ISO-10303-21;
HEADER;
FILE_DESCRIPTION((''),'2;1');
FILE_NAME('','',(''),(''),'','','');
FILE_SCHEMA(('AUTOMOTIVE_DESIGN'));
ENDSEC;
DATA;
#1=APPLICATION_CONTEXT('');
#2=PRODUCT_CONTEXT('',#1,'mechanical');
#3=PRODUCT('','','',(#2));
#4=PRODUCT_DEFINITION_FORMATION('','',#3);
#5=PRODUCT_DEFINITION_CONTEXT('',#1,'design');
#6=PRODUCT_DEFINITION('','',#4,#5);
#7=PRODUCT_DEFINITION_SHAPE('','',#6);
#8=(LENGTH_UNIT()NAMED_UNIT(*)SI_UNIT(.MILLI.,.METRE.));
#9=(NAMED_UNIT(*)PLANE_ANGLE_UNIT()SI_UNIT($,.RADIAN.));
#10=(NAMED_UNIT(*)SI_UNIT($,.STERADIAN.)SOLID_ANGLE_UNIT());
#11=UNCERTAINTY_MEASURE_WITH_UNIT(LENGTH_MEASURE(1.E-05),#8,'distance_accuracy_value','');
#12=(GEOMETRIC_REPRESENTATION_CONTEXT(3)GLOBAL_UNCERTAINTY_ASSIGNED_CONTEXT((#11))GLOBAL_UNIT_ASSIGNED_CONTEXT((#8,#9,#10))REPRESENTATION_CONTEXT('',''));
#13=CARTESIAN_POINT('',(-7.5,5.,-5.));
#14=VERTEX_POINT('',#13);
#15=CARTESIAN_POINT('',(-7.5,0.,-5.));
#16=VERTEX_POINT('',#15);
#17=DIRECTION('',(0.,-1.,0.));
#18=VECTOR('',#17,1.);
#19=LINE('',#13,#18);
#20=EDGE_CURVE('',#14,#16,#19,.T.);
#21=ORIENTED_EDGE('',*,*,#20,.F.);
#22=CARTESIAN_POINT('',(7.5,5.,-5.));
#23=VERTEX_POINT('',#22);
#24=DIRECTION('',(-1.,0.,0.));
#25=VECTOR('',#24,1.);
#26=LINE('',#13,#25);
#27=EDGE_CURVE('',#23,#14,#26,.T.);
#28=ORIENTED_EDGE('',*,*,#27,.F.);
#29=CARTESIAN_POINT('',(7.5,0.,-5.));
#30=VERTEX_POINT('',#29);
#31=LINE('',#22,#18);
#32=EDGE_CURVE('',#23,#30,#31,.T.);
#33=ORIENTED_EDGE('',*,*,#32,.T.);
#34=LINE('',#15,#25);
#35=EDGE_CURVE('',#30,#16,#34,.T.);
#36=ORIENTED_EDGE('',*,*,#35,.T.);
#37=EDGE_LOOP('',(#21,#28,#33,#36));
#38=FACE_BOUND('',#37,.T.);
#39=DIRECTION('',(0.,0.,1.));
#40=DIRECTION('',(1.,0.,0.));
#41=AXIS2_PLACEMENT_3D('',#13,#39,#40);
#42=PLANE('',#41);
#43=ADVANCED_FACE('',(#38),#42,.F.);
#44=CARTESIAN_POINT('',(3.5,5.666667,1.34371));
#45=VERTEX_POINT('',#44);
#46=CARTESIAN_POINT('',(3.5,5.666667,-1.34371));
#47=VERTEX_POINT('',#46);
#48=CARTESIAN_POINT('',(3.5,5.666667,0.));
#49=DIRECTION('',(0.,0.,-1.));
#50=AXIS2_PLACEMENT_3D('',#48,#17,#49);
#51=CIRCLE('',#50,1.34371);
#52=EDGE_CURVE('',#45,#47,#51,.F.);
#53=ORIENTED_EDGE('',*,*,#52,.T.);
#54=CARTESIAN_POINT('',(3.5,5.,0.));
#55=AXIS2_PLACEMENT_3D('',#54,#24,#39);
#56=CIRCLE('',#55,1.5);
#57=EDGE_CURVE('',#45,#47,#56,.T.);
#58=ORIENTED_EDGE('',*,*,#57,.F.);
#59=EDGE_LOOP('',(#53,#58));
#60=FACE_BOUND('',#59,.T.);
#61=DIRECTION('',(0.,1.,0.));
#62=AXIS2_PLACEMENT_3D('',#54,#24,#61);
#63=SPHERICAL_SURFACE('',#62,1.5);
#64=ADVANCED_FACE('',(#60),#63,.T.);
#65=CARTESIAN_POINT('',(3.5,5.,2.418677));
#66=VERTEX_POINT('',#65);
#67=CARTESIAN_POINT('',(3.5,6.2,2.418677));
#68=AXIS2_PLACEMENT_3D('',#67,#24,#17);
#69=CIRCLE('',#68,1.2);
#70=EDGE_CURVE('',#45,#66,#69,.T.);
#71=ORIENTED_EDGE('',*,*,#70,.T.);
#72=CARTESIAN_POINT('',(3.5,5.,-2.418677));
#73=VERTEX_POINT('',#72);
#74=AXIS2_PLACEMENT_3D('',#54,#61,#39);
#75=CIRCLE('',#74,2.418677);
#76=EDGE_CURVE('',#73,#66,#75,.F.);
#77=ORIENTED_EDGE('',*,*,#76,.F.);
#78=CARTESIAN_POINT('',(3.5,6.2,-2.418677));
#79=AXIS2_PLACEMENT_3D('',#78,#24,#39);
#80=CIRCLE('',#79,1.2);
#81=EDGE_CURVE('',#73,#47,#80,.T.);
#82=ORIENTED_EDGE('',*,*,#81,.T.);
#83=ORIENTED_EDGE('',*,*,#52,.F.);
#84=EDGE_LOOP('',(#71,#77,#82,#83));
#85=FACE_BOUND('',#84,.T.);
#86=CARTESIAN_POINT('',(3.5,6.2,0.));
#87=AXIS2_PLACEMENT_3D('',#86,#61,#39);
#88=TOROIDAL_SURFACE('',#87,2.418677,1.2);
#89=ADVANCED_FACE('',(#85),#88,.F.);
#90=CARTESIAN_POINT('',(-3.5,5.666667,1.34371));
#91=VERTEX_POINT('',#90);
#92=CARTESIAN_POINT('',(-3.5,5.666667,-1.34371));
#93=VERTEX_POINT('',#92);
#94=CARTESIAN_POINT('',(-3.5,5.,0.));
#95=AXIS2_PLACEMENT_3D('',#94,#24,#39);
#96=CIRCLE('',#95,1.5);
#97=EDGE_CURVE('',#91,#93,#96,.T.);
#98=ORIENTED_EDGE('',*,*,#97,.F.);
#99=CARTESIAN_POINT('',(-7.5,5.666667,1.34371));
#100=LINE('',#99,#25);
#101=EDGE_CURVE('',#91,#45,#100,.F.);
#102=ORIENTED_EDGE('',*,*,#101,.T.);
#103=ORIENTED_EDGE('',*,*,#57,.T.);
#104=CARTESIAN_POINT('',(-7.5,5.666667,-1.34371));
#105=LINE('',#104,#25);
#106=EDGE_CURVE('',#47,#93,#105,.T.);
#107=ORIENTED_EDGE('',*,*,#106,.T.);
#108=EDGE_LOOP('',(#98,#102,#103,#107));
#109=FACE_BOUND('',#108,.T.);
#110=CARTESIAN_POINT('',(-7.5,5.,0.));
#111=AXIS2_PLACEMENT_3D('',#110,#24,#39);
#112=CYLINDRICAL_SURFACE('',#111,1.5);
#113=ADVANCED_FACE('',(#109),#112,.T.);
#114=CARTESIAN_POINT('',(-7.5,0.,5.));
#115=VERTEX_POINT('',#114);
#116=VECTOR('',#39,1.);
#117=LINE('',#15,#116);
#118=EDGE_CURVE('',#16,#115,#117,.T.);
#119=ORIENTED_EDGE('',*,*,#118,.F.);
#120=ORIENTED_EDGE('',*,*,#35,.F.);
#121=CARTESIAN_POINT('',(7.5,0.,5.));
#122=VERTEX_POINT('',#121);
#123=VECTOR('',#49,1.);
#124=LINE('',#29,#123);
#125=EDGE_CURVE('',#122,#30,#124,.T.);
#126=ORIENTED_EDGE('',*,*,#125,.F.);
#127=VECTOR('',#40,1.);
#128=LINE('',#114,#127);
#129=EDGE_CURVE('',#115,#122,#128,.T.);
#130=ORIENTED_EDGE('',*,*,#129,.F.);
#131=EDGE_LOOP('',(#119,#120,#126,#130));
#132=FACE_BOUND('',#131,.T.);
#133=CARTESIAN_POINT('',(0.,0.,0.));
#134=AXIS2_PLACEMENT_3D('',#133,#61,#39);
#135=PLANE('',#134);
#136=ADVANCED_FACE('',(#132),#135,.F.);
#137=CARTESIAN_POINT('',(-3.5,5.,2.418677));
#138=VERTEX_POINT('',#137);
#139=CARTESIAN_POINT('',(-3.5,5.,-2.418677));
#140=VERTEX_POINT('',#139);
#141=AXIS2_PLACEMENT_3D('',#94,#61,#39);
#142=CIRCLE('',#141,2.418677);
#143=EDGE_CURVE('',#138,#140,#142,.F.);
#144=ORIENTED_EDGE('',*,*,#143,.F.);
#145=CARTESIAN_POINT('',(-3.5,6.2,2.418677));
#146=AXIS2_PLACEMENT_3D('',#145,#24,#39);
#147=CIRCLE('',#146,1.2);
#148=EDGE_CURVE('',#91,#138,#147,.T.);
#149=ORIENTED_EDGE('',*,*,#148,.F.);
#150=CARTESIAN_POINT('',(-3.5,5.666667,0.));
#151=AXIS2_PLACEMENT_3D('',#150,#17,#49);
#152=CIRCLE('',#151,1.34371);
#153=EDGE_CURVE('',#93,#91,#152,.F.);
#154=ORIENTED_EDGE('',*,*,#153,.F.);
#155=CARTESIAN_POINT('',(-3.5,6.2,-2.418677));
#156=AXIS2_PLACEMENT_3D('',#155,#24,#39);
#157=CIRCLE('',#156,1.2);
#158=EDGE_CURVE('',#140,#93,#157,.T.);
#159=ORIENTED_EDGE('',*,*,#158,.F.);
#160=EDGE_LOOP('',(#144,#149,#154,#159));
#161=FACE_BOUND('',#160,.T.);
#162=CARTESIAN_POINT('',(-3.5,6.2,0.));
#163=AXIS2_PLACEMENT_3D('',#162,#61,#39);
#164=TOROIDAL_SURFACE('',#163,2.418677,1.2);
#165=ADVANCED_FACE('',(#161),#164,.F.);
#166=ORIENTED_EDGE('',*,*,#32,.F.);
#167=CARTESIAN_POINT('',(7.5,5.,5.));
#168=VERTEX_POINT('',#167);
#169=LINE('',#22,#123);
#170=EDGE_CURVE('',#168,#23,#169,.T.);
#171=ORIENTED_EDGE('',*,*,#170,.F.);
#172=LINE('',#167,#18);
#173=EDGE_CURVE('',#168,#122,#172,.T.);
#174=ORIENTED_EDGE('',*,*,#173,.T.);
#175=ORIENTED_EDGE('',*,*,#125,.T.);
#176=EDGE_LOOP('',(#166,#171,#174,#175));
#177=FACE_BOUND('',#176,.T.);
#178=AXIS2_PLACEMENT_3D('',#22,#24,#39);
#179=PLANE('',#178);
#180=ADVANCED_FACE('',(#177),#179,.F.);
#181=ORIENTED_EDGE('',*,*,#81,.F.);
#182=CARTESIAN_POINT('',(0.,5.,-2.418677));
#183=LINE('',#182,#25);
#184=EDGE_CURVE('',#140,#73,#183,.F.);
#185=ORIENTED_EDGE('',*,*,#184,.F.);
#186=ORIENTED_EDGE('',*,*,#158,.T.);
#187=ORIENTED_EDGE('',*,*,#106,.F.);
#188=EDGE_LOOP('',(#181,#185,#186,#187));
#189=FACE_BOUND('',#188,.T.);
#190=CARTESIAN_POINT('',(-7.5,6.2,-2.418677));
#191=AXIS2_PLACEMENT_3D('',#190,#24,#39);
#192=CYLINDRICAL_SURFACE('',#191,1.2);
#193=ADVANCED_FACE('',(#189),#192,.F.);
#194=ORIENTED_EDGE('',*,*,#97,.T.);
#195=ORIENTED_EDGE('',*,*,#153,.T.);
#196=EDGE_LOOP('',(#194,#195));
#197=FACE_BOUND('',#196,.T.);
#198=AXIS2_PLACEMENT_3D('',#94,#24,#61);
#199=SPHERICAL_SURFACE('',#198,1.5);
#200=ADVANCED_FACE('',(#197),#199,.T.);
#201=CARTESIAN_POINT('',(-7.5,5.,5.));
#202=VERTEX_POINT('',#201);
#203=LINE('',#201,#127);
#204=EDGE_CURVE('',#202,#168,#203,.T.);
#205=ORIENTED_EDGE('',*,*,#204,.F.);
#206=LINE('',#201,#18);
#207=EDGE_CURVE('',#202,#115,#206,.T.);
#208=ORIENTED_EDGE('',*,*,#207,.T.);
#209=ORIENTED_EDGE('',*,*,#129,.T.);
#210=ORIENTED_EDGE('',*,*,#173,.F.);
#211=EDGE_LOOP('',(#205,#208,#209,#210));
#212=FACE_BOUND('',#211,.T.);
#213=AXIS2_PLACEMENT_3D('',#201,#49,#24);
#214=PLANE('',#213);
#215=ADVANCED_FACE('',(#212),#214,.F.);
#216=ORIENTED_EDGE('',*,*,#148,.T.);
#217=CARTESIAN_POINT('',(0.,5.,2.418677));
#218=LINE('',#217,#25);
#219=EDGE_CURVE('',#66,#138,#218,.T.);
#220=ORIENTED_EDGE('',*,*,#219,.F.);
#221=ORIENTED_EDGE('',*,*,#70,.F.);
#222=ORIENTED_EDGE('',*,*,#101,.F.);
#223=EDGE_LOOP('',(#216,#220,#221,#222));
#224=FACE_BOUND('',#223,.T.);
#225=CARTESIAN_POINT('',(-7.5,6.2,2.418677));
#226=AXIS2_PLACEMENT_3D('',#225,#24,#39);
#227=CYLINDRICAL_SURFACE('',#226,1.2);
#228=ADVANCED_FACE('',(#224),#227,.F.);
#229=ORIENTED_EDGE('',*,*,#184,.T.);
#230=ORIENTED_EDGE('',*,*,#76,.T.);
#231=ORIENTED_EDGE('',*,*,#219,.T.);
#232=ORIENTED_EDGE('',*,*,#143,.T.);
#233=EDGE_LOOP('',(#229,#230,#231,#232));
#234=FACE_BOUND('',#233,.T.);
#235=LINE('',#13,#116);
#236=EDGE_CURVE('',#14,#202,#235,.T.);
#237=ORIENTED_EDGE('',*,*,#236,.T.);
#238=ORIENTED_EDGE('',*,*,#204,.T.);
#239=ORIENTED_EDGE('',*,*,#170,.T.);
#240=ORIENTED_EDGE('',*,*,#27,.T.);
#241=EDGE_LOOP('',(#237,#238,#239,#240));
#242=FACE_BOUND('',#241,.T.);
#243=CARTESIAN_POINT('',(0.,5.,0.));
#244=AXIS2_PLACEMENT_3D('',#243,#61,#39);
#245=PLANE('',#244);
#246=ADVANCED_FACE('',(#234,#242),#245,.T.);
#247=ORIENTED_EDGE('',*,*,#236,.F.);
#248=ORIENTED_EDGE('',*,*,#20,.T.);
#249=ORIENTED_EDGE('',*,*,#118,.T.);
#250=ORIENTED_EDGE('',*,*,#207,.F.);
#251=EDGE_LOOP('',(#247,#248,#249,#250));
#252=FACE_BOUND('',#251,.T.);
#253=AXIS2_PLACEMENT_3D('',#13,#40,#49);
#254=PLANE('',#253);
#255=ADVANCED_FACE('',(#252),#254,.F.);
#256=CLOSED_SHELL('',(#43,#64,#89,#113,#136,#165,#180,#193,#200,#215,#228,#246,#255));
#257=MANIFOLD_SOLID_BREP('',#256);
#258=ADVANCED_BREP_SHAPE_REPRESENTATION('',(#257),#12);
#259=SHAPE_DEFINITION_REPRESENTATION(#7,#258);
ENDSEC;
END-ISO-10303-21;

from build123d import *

# Parameters (mm, degrees)
SKETCH_1_W      = 15
SKETCH_1_H      = 10
EXTRUDE_1_DEPTH = 5
FILLET_1_R      = 1.2


with BuildPart() as part:
    # 草图1 → 凸台-拉伸1 (new body)
    with BuildSketch(Plane(origin=(0, 0, 0), x_dir=(1, 0, 0), z_dir=(0, 1, 0))):
        Rectangle(SKETCH_1_W, SKETCH_1_H)
    extrude(amount=EXTRUDE_1_DEPTH)

    # 草图2 → 旋转1 (revolve)
    with BuildSketch(Plane.XY):
        with BuildLine():
            Line((-3.5, 6.5), (3.5, 6.5))
            ThreePointArc((3.5, 6.5), (4.560660172, 6.060660172), (5, 5))
            Line((5, 5), (-5, 5))
            ThreePointArc((-5, 5), (-4.560660172, 6.060660172), (-3.5, 6.5))
        make_face()
    revolve(axis=Axis((-7.5, 5, 0), (1, 0, 0)))

    # 圆角1
    fillet_1_edges = [part.edges().sort_by_distance(p)[0] for p in [
        (0, 5, 1.5),
        (4.560660172, 5, -1.060660172),
        (-4.560660172, 5, 1.060660172),
        (0, 5, -1.5),
    ]]
    fillet(fillet_1_edges, radius=FILLET_1_R)


solid = part.part
